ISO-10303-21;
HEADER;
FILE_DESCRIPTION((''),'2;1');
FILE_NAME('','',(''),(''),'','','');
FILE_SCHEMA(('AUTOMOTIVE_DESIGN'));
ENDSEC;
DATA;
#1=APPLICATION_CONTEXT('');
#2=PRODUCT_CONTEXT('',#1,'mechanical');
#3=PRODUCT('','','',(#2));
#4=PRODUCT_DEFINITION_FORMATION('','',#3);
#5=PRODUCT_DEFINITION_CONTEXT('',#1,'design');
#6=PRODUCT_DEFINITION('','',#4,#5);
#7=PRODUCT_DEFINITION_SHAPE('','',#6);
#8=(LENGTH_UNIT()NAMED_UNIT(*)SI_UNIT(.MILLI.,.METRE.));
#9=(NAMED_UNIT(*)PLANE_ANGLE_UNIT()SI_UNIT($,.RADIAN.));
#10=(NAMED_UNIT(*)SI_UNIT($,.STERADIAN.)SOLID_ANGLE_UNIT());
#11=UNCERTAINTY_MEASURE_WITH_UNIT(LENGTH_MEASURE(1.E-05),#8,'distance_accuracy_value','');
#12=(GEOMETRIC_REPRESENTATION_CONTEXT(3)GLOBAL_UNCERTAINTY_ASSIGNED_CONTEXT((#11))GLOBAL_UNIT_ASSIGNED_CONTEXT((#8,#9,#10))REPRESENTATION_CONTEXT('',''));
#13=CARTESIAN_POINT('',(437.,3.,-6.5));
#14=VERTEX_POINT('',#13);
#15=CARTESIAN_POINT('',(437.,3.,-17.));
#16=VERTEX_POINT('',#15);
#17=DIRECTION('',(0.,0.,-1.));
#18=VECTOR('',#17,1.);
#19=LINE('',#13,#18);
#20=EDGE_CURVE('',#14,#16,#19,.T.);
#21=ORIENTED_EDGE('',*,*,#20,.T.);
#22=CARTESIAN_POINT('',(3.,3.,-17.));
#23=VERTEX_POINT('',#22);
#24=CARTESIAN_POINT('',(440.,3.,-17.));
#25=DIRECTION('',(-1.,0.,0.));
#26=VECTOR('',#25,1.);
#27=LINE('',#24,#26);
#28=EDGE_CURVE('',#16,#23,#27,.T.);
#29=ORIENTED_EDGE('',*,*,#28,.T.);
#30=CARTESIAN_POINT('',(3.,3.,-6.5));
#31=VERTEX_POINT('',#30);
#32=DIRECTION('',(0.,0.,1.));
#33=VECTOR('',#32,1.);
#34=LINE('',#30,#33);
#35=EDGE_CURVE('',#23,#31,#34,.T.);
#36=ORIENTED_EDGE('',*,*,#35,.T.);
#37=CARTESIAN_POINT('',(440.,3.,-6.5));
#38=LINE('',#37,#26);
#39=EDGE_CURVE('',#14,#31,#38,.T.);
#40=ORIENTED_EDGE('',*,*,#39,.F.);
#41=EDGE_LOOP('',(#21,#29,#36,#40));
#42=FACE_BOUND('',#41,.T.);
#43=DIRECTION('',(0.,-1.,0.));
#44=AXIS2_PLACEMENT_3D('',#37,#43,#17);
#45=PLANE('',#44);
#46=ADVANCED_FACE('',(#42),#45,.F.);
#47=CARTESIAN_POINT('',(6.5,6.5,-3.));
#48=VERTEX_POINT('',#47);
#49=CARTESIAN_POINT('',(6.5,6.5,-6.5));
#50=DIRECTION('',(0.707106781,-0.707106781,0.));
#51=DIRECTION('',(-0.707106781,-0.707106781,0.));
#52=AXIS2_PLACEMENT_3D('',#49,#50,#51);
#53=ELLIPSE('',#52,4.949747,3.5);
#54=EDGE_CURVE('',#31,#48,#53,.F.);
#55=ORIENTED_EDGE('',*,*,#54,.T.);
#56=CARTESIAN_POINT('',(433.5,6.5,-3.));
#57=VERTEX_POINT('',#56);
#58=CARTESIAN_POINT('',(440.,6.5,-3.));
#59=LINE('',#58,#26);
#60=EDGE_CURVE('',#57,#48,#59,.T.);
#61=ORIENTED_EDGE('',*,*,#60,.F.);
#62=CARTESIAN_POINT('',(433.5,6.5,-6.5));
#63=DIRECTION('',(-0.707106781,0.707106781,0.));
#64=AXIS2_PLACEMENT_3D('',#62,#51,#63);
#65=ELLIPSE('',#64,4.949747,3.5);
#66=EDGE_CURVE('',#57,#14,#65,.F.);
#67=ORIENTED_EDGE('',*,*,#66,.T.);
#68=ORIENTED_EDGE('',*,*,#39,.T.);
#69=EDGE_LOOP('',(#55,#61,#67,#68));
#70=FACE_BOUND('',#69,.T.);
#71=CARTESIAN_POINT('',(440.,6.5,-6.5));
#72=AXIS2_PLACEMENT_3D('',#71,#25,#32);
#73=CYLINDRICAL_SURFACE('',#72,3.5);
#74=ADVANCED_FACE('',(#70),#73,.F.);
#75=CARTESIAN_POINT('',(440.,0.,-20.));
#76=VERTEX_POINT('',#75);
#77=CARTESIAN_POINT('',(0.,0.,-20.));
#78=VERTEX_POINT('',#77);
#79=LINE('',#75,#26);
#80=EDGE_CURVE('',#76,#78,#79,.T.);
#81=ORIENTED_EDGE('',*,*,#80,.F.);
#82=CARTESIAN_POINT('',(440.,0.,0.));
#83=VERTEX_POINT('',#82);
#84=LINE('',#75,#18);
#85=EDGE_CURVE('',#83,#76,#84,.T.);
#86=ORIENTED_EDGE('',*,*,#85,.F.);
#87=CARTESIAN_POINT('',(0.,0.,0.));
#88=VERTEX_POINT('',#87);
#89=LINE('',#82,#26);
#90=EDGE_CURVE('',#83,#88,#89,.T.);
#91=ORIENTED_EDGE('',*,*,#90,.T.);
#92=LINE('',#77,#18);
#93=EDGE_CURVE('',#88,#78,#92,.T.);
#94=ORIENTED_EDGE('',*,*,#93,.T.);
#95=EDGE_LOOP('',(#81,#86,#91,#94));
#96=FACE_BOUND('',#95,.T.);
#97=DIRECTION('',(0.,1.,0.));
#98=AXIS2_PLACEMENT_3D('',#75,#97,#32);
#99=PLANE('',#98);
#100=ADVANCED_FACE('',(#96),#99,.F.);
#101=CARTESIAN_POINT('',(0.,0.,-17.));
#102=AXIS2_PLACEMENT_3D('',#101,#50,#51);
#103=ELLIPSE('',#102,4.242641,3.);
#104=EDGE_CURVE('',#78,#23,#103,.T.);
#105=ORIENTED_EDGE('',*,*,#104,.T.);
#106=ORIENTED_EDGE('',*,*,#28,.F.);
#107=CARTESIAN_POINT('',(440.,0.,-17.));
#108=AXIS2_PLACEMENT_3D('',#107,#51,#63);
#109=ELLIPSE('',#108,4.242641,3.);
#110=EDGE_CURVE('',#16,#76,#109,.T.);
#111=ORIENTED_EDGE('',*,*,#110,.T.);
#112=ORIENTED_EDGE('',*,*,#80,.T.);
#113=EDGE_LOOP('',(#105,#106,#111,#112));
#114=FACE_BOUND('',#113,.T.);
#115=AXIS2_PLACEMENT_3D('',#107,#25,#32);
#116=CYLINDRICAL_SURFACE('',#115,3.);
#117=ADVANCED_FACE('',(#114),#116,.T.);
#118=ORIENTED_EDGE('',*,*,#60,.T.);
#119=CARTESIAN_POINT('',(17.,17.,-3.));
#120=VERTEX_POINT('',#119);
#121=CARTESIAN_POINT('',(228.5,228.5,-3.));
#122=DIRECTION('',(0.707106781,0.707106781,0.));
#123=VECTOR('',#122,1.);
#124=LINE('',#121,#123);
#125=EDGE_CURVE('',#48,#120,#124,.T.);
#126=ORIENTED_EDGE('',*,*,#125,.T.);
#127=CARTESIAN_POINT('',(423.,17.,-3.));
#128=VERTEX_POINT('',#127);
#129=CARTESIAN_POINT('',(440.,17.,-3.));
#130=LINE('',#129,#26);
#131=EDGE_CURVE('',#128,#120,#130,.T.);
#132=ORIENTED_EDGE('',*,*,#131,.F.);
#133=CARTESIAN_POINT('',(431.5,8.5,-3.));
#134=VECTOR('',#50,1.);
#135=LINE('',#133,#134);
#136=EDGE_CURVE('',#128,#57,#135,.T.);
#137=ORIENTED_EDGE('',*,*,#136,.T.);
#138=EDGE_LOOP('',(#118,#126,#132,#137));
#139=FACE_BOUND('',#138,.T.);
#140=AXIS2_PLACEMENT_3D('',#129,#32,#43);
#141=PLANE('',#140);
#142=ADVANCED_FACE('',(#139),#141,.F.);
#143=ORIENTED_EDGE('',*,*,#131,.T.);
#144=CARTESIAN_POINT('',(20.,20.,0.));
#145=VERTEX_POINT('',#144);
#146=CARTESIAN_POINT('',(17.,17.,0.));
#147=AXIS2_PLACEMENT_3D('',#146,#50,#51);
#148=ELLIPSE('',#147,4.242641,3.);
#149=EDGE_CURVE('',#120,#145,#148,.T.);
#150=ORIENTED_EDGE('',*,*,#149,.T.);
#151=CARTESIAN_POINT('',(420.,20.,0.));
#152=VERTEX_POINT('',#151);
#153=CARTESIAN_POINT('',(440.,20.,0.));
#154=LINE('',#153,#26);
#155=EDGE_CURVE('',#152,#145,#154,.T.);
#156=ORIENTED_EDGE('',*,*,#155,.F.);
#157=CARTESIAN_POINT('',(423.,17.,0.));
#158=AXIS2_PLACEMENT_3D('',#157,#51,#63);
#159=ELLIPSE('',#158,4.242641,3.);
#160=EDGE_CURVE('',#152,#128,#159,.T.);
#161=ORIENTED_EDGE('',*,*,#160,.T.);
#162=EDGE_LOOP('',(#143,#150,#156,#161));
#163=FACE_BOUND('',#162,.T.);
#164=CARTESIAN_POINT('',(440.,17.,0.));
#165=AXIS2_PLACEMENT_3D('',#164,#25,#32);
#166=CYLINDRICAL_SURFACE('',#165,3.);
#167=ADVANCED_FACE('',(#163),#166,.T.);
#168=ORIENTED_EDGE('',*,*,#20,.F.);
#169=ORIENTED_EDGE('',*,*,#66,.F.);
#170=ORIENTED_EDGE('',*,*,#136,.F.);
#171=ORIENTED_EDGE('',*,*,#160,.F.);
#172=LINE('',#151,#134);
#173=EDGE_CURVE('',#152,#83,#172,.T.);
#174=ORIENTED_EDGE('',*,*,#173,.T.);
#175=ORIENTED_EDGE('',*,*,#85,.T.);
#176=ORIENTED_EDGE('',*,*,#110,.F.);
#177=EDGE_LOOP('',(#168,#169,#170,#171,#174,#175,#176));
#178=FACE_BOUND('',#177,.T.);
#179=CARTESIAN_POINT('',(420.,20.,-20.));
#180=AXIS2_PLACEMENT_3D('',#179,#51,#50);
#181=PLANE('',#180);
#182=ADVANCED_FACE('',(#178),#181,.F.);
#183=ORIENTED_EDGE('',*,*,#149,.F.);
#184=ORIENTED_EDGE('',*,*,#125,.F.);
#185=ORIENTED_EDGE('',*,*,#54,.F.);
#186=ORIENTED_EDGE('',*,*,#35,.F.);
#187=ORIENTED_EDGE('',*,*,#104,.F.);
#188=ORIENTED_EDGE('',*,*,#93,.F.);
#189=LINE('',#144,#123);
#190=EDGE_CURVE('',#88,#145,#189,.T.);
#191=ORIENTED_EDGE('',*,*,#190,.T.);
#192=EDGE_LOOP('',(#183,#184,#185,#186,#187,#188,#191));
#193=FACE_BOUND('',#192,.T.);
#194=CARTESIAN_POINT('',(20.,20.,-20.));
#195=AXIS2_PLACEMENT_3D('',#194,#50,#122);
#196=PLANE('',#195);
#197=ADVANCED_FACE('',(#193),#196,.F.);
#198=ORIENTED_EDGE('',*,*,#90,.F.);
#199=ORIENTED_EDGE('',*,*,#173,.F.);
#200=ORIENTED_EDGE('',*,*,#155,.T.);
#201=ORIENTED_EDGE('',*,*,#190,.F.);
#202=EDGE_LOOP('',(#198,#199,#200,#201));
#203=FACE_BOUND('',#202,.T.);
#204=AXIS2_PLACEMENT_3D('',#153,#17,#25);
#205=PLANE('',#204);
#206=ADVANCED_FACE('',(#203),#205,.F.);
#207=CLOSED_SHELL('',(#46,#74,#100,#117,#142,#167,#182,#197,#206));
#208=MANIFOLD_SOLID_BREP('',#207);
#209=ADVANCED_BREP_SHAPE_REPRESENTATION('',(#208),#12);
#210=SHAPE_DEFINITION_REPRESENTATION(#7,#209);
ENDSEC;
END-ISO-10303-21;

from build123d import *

# Parameters (mm, degrees)
L_ANGLE_EQUAL_20X20X3_2_DEPTH = 440
CUT_EXTRUDE1_DEPTH            = 441.908153701


with BuildPart() as part:
    # Sketch16 → L angle (equal) 20X20X3(2) (new body)
    with BuildSketch(Plane(origin=(0, 0, 0), x_dir=(0, 0, -1), z_dir=(1, 0, 0))):
        with BuildLine():
            Line((0, 20), (0, 0))
            Line((0, 0), (20, 0))
            ThreePointArc((20, 0), (19.121320344, 2.121320344), (17, 3))
            Line((17, 3), (6.5, 3))
            ThreePointArc((6.5, 3), (4.025126266, 4.025126266), (3, 6.5))
            Line((3, 6.5), (3, 17))
            ThreePointArc((3, 17), (2.121320344, 19.121320344), (0, 20))
        make_face()
    extrude(amount=L_ANGLE_EQUAL_20X20X3_2_DEPTH)

    # Sketch14 → Cut-Extrude1 (cut, through all)
    with BuildSketch(Plane.XY):
        Polygon((440, 0), (440, 20), (420, 20), align=None)
        Polygon((0, 20), (0, 0), (20, 20), align=None)
    extrude(amount=-CUT_EXTRUDE1_DEPTH, mode=Mode.SUBTRACT)


solid = part.part
